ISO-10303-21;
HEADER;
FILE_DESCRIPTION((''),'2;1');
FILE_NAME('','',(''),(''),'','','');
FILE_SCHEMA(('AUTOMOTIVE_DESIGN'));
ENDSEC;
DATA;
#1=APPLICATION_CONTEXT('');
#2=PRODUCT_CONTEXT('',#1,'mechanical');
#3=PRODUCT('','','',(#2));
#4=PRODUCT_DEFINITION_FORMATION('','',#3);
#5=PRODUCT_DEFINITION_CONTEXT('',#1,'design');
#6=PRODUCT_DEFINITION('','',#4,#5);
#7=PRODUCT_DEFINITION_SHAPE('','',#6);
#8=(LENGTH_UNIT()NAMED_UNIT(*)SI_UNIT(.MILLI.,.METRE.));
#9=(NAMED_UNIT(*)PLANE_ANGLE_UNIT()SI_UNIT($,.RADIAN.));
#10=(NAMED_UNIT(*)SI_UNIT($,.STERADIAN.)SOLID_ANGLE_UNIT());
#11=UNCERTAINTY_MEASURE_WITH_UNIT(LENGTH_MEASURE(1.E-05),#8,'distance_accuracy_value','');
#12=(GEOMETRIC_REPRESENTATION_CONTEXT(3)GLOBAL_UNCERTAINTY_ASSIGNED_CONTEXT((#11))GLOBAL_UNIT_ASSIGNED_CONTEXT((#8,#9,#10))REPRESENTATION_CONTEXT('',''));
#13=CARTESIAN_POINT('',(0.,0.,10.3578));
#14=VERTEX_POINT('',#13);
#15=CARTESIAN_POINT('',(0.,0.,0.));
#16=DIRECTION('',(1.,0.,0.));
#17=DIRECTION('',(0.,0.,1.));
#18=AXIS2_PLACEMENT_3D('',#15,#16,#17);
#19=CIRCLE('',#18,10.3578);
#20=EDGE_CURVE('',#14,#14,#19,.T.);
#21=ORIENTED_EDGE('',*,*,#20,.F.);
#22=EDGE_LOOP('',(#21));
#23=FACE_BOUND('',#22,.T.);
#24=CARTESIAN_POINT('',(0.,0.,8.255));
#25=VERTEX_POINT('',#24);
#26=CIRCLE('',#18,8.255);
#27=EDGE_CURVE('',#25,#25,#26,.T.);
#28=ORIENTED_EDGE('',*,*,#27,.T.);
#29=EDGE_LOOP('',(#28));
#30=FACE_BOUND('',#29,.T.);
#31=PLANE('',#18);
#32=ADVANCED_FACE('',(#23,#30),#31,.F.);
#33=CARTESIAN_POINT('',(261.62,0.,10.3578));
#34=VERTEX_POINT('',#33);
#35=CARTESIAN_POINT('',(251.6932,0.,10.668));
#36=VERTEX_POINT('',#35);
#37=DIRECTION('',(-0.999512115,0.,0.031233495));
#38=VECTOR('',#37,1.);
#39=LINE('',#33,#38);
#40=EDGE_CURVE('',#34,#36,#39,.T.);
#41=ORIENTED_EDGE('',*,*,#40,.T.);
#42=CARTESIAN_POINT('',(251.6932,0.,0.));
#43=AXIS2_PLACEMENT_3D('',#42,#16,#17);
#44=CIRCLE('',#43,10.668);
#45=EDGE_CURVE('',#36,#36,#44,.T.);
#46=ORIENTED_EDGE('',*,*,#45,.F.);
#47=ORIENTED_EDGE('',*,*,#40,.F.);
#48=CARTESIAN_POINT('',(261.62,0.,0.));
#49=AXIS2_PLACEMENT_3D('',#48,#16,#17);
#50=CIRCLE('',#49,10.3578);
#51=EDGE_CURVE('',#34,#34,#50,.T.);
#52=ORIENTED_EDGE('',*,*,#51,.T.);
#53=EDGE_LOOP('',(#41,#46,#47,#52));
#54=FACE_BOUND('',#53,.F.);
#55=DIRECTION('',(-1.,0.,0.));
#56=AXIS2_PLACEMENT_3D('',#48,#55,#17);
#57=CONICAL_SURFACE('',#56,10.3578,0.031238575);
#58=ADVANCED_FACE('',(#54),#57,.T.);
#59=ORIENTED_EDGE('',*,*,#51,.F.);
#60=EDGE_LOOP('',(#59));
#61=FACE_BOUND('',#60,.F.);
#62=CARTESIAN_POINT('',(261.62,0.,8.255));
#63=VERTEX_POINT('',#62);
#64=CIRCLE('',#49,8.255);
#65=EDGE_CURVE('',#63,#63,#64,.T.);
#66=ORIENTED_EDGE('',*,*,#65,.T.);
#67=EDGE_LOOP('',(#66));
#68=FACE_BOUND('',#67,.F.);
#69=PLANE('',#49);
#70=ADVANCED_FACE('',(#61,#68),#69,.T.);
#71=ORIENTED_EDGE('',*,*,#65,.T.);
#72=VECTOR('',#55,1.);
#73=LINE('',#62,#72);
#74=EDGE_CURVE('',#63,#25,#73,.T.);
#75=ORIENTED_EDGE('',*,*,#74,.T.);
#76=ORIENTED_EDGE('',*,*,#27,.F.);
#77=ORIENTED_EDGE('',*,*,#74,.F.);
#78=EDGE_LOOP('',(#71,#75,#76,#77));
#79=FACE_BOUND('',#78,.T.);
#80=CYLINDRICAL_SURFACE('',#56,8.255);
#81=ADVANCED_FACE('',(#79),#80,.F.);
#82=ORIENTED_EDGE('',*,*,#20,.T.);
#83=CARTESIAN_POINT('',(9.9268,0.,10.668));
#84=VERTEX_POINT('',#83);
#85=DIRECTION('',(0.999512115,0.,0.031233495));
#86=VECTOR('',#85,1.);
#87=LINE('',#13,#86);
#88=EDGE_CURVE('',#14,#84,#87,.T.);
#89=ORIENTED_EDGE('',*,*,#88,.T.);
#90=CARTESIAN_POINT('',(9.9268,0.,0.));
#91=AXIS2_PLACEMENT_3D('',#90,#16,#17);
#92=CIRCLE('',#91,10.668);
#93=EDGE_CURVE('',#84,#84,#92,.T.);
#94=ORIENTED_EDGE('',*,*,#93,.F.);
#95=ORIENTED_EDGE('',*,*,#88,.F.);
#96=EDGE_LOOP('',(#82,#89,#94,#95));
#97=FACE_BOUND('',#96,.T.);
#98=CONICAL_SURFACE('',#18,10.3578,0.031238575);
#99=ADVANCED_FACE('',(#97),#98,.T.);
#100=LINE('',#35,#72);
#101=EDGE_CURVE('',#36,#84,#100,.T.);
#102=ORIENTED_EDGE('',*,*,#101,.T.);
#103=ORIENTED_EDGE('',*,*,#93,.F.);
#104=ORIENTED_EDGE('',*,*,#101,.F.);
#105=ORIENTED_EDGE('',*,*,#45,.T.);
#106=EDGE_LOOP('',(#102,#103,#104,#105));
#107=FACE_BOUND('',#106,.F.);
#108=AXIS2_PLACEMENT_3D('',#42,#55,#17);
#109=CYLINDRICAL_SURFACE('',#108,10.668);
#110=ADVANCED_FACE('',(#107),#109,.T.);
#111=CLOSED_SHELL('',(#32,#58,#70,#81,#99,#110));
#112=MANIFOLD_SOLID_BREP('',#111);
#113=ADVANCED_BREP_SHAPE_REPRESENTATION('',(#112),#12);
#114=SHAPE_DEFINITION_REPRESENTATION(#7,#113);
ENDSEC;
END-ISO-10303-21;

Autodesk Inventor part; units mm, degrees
ref_plane "YZ Plane" through (0, 0, 0) normal (1, 0, 0) x (0, 1, 0)
ref_plane "XZ Plane" through (0, 0, 0) normal (0, 1, 0) x (-1, 0, 0)
ref_plane "XY Plane" through (0, 0, 0) normal (0, 0, 1) x (1, 0, 0)
sketch "Sketch1" plane through (0, 0, 0) normal (0, 1, 0) x (-1, 0, 0)
  line L0 (0, 0) -> (-261.62, 0)
  line L1 (-261.62, 0) -> (-261.62, 8.255) construction
  line L2 (-261.62, 8.255) -> (-261.62, 10.3578)
  line L3 (-261.62, 10.3578) -> (-251.6932, 10.668)
  line L4 (-251.6932, 10.668) -> (-9.9268, 10.668)
  line L5 (-130.81, 0) -> (-130.81, 10.668) construction
  line L6 (-261.62, 8.255) -> (0, 8.255)
  line L7 (0, 0) -> (0, 8.255) construction
  line L8 (0, 8.255) -> (0, 10.3578)
  line L9 (0, 10.3578) -> (-9.9268, 10.668)
  line L10 (-248.064, 10.7814) -> (-248.064, 0) construction
  line L11 (-13.556, 10.7814) -> (-13.556, 0) construction
  line L12 (-251.6932, 10.668) -> (-248.064, 10.7814) construction
  line L13 (-251.6932, 10.668) -> (-251.6932, 0) construction
  line L14 (-9.9268, 10.668) -> (-13.556, 10.7814) construction
  line L15 (-9.9268, 10.668) -> (-9.9268, 0) construction
  dimension "d0" = 21.336
  dimension "d1" = 1.79
  dimension "d2" = 16.51
  dimension "d3" = 261.62
  dimension "d4" = 13.556
  dimension "d5" = 21.5628
revolve "Revolution1" add sketch "Sketch1" angle 360 about axis through (0, 0, 0) along (1, 0, 0)
thread "Thread1" size "1/2" designation "1/2 - 14 NPT" standard "NPT" full length
thread "Thread2" size "1/2" designation "1/2 - 14 NPT" standard "NPT" full length
equation "\"d0\" = OD"
equation "\"d2\" = ID"
equation "\"d3\" = L"
equation "\"d4\" = L2"
equation "\"d5\" = D2"
equation "\"OD\" = 21.336"
equation "\"t\" = 2.413"
equation "\"L\" = PL"
equation "\"L4\" = 19.8501"
equation "\"ID\" = 16.51"
equation "\"PL\" = 261.62"
equation "\"D2\" = 21.56282"
equation "\"L2\" = 13.55598"
equation "\"Size_Designation\" = 1.2345"
equation "\"PLmin\" = 2 * L2"
properties material "Steel, Wrought"
